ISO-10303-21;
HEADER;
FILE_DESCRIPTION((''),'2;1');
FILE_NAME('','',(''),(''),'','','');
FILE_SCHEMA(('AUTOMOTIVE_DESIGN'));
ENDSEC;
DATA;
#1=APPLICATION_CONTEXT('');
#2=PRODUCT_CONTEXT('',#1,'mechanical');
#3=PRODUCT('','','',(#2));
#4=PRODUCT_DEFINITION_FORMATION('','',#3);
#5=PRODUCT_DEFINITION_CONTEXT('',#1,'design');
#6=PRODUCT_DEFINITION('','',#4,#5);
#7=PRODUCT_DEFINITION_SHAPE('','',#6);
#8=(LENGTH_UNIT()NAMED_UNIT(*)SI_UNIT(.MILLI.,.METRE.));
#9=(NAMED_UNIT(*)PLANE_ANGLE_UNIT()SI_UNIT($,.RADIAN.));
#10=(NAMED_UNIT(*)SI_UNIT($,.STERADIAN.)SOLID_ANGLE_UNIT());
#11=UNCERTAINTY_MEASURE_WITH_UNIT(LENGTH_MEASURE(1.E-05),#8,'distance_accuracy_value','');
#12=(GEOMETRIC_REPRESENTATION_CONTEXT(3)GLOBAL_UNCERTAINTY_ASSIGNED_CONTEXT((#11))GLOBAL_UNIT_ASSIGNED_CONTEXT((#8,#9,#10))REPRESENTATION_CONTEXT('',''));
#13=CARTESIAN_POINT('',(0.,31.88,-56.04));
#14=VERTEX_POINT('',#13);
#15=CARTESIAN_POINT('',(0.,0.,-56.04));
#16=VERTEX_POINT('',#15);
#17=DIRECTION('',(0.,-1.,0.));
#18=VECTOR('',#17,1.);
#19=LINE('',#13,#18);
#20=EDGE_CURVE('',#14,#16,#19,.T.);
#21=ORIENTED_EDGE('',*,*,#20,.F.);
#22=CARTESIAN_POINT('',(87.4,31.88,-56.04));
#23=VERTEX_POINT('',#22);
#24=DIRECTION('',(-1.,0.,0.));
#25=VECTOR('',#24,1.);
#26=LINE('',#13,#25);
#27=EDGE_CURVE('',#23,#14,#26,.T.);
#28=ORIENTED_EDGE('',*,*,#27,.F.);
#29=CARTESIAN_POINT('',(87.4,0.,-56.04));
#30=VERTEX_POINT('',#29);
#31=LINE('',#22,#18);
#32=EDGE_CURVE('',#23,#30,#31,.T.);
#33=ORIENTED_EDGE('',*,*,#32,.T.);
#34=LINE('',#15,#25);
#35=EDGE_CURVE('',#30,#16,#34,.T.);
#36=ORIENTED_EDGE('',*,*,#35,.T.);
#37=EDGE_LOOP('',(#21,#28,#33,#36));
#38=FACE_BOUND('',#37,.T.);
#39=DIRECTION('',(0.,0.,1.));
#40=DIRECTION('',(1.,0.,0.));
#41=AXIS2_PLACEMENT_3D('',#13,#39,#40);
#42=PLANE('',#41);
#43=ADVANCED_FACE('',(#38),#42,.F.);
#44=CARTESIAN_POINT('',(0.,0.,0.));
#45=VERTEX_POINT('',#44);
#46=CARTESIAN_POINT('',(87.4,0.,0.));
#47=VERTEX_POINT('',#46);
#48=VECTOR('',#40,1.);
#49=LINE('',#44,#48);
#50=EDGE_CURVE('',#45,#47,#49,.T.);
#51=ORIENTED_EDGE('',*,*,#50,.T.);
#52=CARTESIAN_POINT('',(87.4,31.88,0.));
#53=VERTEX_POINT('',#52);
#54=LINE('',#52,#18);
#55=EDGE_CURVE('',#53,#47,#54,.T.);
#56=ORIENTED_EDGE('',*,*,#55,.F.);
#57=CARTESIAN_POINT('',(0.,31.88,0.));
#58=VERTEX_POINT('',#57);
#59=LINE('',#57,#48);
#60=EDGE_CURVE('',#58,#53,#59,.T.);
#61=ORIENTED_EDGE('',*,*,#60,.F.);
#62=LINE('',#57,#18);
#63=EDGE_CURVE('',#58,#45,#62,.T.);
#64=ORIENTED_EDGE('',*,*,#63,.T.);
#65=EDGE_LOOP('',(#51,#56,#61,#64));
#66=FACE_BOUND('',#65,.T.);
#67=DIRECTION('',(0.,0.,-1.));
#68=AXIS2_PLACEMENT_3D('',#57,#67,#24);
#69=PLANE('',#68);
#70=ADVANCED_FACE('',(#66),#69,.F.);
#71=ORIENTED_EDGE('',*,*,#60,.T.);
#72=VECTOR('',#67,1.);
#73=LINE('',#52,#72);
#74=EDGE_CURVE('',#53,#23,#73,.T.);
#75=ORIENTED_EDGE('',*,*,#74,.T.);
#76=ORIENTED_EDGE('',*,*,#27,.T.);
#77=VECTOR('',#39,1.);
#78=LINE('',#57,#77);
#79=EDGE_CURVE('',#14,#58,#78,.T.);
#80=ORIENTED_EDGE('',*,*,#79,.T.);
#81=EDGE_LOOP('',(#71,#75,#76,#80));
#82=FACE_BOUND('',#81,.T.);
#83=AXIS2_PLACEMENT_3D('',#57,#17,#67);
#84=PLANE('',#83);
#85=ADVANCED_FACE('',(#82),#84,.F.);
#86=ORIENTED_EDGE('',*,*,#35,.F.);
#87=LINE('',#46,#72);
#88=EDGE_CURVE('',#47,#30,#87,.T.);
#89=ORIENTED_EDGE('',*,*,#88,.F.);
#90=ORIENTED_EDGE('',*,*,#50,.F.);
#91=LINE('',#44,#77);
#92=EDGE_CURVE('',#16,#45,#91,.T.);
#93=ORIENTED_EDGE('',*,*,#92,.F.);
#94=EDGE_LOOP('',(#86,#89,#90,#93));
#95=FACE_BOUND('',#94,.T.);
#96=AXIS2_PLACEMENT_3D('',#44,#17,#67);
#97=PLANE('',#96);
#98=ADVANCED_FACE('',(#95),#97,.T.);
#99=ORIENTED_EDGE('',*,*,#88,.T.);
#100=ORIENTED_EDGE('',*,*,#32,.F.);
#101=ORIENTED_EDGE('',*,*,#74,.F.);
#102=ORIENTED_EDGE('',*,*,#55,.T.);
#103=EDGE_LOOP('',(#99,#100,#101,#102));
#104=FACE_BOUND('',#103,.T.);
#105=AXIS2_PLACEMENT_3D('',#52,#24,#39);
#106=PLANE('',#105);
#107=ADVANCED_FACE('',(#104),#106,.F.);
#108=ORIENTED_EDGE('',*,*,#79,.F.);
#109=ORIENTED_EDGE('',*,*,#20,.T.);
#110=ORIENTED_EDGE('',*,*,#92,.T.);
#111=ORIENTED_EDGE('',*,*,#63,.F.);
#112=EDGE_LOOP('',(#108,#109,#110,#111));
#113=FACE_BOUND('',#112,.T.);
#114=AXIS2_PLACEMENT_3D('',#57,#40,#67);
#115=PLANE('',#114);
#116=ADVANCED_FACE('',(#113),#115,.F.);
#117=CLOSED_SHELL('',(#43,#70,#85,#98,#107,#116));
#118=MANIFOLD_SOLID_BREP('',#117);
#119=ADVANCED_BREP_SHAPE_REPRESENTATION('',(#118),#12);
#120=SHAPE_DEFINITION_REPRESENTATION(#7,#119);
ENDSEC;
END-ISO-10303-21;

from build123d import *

# Parameters (mm, degrees)
ESQUISSE1_W        = 87.4
ESQUISSE1_H        = 56.04
BOSS_EXTRU_1_DEPTH = 31.88


with BuildPart() as part:
    # Esquisse1 → Boss.-Extru.1 (new body)
    with BuildSketch(Plane(origin=(0, 0, 0), x_dir=(1, 0, 0), z_dir=(0, 1, 0))):
        with Locations((43.7, 28.02)):
            Rectangle(ESQUISSE1_W, ESQUISSE1_H)
    extrude(amount=BOSS_EXTRU_1_DEPTH)


solid = part.part
